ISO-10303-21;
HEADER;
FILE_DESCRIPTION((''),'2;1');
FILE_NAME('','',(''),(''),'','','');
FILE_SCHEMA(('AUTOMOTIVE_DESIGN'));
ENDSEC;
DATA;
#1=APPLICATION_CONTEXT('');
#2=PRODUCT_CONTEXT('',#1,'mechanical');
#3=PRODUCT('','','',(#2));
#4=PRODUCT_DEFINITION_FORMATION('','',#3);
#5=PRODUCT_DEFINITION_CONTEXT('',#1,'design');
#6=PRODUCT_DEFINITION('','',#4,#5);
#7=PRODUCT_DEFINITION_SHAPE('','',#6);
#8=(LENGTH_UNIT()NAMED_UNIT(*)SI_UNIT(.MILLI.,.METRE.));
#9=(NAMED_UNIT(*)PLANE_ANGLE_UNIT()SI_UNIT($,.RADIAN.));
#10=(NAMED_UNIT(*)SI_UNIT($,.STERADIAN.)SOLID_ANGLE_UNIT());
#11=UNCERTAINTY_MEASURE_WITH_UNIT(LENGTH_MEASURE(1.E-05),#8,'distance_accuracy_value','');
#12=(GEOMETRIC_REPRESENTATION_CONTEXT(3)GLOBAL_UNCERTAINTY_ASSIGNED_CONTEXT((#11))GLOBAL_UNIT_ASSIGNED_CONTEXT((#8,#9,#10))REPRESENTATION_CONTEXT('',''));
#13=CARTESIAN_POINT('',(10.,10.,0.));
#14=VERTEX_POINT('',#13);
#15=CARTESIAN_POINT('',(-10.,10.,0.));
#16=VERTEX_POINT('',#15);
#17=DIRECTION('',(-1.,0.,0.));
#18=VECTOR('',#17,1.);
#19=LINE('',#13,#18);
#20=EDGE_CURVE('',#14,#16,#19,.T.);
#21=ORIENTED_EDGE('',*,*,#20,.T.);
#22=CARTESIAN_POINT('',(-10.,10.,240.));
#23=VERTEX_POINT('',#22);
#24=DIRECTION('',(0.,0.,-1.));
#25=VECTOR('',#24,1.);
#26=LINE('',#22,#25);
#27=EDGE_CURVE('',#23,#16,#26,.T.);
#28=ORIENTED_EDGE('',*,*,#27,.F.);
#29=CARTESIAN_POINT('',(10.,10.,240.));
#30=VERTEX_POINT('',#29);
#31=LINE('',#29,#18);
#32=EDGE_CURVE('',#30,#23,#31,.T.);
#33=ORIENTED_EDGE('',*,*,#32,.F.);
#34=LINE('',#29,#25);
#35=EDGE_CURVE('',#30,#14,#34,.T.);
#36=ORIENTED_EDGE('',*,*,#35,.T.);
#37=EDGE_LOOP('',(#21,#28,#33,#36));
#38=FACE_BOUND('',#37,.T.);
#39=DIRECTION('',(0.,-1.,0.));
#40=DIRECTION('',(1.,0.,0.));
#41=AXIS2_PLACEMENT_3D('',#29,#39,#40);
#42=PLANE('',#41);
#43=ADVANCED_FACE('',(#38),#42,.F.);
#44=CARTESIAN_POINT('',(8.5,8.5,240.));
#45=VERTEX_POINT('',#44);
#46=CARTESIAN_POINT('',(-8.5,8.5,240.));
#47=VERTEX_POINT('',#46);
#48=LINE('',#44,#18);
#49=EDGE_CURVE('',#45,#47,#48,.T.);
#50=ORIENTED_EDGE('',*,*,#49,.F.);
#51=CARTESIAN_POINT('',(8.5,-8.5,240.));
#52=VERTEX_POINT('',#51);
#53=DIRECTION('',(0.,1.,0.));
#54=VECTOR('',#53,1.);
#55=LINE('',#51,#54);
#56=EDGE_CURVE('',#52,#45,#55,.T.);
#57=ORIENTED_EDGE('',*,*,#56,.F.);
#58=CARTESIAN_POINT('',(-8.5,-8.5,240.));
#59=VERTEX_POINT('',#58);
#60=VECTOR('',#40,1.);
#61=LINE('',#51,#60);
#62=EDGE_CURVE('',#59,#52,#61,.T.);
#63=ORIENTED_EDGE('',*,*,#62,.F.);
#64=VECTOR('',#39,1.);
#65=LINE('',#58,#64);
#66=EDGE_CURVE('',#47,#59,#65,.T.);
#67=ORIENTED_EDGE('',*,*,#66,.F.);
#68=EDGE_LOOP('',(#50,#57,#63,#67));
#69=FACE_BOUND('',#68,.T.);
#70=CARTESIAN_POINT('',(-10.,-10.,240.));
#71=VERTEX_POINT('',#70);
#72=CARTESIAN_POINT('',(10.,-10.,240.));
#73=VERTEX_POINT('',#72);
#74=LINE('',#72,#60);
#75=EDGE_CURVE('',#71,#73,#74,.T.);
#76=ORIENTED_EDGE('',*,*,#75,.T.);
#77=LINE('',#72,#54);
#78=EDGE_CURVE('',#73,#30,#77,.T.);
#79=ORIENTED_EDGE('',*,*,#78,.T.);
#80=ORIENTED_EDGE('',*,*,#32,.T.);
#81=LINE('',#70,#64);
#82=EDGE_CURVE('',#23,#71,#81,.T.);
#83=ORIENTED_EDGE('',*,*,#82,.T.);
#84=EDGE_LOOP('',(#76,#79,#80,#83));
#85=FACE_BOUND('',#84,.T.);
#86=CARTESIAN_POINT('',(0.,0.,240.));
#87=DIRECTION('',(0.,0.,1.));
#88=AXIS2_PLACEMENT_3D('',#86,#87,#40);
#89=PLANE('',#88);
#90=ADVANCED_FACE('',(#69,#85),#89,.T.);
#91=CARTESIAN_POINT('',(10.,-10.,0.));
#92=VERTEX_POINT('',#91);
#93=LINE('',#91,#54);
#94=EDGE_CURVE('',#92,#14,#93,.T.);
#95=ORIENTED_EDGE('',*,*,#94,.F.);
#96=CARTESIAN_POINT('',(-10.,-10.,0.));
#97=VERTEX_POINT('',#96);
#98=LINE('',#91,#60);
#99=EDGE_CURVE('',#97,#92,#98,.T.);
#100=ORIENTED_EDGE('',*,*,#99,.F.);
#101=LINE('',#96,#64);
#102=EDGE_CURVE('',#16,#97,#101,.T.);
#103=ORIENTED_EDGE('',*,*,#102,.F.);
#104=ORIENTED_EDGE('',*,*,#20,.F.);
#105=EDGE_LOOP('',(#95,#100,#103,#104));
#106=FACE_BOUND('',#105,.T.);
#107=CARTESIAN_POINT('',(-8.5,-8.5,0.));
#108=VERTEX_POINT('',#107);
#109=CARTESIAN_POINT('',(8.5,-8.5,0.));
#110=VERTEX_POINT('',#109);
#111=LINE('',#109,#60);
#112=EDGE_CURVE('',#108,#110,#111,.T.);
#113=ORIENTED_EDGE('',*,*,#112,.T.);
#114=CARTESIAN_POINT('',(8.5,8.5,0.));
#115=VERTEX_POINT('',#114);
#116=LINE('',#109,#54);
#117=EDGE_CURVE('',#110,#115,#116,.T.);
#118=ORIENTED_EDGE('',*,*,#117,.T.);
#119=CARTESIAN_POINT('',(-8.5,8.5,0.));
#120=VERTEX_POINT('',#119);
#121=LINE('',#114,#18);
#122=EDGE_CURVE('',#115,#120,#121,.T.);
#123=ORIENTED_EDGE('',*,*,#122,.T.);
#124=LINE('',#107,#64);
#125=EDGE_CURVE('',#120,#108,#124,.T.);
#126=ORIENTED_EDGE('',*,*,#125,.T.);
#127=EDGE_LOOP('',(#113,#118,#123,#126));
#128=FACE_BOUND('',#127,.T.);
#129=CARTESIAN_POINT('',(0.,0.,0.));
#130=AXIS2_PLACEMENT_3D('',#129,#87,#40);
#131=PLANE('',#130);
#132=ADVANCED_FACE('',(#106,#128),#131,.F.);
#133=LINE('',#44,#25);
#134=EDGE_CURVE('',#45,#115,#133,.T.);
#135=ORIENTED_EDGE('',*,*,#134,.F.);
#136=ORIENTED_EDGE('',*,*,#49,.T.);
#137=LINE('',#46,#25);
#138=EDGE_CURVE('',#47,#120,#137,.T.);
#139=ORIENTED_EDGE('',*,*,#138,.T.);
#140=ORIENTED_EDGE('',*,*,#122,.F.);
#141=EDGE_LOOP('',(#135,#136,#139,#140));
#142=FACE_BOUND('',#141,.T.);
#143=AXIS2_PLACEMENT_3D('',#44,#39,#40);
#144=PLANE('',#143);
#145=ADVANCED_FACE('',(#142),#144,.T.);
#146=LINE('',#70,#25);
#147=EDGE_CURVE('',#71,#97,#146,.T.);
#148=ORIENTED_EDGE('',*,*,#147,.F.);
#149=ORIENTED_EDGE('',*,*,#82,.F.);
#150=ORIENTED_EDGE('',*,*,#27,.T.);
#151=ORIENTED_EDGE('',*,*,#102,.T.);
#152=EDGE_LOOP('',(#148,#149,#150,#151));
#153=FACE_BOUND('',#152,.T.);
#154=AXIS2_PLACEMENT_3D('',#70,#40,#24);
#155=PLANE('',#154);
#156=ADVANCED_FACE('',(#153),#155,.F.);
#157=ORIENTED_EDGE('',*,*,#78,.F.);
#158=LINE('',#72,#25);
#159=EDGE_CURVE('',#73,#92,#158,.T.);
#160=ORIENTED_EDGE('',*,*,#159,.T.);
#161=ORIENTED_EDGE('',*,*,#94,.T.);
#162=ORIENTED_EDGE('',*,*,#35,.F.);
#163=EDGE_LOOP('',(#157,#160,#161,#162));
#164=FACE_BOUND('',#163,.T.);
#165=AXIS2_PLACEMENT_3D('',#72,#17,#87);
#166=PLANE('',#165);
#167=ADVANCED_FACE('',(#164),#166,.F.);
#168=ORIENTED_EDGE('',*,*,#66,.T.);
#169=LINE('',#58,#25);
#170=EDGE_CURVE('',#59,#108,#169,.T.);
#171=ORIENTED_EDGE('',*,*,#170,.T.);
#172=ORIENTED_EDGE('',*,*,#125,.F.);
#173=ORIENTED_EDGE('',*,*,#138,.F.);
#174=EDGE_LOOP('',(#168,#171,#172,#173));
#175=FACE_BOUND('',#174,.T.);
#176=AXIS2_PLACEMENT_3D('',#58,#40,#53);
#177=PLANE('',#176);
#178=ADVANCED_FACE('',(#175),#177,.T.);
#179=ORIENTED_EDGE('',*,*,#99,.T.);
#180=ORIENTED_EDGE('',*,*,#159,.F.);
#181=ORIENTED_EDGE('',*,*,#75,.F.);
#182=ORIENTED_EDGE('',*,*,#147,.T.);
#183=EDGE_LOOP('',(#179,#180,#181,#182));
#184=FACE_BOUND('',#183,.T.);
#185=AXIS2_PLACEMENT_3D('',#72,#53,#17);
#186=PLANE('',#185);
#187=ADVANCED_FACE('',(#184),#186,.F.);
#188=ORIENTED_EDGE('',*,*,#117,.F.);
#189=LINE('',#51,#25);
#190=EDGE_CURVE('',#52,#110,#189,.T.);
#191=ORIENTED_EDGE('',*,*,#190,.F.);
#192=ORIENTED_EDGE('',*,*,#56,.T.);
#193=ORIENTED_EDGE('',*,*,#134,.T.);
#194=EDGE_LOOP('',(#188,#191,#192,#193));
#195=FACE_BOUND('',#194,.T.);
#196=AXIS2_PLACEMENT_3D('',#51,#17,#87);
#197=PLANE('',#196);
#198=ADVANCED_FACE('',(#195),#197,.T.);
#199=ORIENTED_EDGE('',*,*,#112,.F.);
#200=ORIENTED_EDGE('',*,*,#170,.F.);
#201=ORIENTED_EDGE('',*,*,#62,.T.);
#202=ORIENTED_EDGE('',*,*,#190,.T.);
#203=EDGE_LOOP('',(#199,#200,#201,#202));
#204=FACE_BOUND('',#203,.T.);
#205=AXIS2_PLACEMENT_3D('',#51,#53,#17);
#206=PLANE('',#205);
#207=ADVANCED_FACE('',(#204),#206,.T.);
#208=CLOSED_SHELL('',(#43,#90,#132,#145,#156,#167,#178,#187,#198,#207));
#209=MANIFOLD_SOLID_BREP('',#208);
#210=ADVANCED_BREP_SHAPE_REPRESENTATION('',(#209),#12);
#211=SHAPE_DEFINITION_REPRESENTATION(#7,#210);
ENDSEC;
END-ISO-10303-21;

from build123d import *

# Parameters (mm, degrees)
SZKIC1_W                    = 20
SZKIC1_H                    = 20
SZKIC1_W_2                  = 17
SZKIC1_H_2                  = 17
DODANIE_WYCI_GNI_CIE1_DEPTH = 240


with BuildPart() as part:
    # Szkic1 → Dodanie-wyciągnięcie1 (new body)
    with BuildSketch(Plane.XY):
        Rectangle(SZKIC1_W, SZKIC1_H)
        Rectangle(SZKIC1_W_2, SZKIC1_H_2, mode=Mode.SUBTRACT)
    extrude(amount=DODANIE_WYCI_GNI_CIE1_DEPTH)


solid = part.part
